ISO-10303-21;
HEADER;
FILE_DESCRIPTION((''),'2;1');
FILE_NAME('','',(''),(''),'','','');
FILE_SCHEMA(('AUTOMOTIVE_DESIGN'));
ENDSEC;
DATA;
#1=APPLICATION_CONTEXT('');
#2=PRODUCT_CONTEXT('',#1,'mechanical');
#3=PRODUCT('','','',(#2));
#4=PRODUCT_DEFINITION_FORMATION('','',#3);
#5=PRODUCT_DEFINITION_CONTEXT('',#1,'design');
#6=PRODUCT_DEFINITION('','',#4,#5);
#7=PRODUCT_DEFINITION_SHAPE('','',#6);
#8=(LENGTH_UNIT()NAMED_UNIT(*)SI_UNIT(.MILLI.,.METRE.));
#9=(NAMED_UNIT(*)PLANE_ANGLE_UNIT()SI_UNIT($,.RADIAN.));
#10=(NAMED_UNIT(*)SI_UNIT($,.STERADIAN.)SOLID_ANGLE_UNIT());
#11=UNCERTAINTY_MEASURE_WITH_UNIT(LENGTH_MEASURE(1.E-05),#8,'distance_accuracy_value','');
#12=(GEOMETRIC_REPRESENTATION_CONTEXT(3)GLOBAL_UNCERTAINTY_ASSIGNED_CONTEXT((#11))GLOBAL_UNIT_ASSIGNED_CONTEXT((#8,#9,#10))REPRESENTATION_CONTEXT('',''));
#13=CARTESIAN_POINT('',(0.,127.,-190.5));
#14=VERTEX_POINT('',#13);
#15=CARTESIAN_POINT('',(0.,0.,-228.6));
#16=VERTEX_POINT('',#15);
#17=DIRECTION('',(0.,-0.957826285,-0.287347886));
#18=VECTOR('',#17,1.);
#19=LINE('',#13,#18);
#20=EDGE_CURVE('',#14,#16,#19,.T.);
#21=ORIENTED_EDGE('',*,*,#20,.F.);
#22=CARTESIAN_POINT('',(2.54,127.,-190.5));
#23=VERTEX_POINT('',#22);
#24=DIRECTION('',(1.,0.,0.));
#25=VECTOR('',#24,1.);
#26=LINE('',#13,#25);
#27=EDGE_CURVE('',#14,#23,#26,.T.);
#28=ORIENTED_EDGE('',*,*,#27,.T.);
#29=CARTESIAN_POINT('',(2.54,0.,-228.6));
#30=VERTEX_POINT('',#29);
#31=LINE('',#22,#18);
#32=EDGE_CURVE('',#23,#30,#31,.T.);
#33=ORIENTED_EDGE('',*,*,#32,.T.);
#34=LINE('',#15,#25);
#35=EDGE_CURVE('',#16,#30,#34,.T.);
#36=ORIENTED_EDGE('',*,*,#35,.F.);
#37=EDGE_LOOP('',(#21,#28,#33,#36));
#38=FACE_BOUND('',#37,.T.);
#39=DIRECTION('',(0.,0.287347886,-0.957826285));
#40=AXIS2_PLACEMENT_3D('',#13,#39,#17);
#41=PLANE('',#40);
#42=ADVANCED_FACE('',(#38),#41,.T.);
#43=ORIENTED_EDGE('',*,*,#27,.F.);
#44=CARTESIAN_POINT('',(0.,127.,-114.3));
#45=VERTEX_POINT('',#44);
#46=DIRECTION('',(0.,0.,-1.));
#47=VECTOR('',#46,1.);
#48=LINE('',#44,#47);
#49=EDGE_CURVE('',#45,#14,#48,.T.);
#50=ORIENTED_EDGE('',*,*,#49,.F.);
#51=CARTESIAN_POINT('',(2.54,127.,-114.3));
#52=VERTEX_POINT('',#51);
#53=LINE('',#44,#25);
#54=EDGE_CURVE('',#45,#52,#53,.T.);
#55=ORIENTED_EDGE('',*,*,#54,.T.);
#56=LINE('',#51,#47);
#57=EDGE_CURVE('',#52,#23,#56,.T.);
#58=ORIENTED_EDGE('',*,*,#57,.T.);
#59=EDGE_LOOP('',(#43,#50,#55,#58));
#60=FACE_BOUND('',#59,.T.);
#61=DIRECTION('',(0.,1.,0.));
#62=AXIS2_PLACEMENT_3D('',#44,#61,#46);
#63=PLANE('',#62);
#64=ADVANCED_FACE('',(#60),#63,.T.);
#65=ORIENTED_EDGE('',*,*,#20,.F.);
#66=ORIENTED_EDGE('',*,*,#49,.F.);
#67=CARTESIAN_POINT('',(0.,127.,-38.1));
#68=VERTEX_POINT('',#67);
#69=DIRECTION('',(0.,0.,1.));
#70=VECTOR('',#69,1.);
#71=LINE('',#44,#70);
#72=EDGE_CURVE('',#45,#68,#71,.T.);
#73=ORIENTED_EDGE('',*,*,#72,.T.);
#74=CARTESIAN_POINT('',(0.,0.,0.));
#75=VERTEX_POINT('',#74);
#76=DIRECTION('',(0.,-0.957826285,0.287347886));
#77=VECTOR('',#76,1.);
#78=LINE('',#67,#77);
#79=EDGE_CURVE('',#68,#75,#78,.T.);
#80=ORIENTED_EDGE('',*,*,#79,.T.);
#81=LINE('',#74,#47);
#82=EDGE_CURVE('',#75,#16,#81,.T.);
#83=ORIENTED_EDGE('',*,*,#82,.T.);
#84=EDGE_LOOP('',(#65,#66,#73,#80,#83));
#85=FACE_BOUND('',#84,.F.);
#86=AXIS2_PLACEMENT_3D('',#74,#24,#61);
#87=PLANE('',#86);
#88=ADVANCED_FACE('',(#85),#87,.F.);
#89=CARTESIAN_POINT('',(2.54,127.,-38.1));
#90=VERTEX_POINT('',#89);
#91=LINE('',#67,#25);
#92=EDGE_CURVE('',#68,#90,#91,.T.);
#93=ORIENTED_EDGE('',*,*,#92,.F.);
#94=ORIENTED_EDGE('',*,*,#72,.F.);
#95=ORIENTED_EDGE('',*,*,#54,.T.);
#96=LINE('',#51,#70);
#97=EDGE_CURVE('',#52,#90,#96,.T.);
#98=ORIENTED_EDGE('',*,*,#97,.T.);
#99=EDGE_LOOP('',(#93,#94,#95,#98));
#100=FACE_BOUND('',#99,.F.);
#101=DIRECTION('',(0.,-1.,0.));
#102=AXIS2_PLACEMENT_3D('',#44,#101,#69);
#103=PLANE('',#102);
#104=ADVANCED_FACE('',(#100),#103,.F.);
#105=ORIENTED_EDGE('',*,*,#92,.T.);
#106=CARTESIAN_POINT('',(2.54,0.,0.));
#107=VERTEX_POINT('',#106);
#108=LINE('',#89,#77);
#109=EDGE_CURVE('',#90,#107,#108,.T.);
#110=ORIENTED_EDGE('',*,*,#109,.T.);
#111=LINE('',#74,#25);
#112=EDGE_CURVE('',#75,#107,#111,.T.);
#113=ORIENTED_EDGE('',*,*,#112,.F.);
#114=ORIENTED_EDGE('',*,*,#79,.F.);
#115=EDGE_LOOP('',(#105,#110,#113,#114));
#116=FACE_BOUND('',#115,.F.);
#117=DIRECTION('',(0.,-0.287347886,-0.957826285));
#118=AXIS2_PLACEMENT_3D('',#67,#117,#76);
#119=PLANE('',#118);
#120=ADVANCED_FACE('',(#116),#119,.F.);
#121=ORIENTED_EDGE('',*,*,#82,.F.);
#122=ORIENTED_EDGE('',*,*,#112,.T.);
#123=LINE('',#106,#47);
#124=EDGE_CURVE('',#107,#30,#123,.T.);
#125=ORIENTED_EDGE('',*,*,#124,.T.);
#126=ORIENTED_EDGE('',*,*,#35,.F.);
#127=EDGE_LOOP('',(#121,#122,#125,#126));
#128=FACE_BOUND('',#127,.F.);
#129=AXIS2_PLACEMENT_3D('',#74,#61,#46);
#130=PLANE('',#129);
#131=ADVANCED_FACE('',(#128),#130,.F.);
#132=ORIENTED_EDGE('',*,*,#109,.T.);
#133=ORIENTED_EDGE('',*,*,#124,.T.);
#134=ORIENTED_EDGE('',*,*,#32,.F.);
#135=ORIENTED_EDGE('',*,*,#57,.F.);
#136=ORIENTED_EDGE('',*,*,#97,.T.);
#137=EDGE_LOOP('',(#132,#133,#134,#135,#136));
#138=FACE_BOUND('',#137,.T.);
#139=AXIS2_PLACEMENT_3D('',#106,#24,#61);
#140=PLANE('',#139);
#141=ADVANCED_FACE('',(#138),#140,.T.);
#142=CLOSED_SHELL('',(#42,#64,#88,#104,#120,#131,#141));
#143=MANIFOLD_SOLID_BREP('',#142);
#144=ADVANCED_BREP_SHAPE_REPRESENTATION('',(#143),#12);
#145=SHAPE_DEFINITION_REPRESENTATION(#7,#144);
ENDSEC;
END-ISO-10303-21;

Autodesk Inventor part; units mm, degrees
ref_plane "YZ Plane" through (0, 0, 0) normal (1, 0, 0) x (0, 1, 0)
ref_plane "XZ Plane" through (0, 0, 0) normal (0, 1, 0) x (-1, 0, 0)
ref_plane "XY Plane" through (0, 0, 0) normal (0, 0, 1) x (1, 0, 0)
sketch "Sketch1" plane through (0, 0, 0) normal (1, 0, 0) x (0, 1, 0)
  line L0 (0, 0) -> (0, -228.6)
  line L1 (127, -114.3) -> (127, -190.5)
  line L2 (127, -114.3) -> (127, -38.1)
  line L3 (127, -38.1) -> (0, 0)
  line L4 (127, -190.5) -> (0, -228.6)
  dimension "d0" = 228.6
  dimension "d3" = 127
extrude "Extrusion1" add sketch "Sketch1" along normal blind 2.54
properties part number "Trapezoid support plate"
